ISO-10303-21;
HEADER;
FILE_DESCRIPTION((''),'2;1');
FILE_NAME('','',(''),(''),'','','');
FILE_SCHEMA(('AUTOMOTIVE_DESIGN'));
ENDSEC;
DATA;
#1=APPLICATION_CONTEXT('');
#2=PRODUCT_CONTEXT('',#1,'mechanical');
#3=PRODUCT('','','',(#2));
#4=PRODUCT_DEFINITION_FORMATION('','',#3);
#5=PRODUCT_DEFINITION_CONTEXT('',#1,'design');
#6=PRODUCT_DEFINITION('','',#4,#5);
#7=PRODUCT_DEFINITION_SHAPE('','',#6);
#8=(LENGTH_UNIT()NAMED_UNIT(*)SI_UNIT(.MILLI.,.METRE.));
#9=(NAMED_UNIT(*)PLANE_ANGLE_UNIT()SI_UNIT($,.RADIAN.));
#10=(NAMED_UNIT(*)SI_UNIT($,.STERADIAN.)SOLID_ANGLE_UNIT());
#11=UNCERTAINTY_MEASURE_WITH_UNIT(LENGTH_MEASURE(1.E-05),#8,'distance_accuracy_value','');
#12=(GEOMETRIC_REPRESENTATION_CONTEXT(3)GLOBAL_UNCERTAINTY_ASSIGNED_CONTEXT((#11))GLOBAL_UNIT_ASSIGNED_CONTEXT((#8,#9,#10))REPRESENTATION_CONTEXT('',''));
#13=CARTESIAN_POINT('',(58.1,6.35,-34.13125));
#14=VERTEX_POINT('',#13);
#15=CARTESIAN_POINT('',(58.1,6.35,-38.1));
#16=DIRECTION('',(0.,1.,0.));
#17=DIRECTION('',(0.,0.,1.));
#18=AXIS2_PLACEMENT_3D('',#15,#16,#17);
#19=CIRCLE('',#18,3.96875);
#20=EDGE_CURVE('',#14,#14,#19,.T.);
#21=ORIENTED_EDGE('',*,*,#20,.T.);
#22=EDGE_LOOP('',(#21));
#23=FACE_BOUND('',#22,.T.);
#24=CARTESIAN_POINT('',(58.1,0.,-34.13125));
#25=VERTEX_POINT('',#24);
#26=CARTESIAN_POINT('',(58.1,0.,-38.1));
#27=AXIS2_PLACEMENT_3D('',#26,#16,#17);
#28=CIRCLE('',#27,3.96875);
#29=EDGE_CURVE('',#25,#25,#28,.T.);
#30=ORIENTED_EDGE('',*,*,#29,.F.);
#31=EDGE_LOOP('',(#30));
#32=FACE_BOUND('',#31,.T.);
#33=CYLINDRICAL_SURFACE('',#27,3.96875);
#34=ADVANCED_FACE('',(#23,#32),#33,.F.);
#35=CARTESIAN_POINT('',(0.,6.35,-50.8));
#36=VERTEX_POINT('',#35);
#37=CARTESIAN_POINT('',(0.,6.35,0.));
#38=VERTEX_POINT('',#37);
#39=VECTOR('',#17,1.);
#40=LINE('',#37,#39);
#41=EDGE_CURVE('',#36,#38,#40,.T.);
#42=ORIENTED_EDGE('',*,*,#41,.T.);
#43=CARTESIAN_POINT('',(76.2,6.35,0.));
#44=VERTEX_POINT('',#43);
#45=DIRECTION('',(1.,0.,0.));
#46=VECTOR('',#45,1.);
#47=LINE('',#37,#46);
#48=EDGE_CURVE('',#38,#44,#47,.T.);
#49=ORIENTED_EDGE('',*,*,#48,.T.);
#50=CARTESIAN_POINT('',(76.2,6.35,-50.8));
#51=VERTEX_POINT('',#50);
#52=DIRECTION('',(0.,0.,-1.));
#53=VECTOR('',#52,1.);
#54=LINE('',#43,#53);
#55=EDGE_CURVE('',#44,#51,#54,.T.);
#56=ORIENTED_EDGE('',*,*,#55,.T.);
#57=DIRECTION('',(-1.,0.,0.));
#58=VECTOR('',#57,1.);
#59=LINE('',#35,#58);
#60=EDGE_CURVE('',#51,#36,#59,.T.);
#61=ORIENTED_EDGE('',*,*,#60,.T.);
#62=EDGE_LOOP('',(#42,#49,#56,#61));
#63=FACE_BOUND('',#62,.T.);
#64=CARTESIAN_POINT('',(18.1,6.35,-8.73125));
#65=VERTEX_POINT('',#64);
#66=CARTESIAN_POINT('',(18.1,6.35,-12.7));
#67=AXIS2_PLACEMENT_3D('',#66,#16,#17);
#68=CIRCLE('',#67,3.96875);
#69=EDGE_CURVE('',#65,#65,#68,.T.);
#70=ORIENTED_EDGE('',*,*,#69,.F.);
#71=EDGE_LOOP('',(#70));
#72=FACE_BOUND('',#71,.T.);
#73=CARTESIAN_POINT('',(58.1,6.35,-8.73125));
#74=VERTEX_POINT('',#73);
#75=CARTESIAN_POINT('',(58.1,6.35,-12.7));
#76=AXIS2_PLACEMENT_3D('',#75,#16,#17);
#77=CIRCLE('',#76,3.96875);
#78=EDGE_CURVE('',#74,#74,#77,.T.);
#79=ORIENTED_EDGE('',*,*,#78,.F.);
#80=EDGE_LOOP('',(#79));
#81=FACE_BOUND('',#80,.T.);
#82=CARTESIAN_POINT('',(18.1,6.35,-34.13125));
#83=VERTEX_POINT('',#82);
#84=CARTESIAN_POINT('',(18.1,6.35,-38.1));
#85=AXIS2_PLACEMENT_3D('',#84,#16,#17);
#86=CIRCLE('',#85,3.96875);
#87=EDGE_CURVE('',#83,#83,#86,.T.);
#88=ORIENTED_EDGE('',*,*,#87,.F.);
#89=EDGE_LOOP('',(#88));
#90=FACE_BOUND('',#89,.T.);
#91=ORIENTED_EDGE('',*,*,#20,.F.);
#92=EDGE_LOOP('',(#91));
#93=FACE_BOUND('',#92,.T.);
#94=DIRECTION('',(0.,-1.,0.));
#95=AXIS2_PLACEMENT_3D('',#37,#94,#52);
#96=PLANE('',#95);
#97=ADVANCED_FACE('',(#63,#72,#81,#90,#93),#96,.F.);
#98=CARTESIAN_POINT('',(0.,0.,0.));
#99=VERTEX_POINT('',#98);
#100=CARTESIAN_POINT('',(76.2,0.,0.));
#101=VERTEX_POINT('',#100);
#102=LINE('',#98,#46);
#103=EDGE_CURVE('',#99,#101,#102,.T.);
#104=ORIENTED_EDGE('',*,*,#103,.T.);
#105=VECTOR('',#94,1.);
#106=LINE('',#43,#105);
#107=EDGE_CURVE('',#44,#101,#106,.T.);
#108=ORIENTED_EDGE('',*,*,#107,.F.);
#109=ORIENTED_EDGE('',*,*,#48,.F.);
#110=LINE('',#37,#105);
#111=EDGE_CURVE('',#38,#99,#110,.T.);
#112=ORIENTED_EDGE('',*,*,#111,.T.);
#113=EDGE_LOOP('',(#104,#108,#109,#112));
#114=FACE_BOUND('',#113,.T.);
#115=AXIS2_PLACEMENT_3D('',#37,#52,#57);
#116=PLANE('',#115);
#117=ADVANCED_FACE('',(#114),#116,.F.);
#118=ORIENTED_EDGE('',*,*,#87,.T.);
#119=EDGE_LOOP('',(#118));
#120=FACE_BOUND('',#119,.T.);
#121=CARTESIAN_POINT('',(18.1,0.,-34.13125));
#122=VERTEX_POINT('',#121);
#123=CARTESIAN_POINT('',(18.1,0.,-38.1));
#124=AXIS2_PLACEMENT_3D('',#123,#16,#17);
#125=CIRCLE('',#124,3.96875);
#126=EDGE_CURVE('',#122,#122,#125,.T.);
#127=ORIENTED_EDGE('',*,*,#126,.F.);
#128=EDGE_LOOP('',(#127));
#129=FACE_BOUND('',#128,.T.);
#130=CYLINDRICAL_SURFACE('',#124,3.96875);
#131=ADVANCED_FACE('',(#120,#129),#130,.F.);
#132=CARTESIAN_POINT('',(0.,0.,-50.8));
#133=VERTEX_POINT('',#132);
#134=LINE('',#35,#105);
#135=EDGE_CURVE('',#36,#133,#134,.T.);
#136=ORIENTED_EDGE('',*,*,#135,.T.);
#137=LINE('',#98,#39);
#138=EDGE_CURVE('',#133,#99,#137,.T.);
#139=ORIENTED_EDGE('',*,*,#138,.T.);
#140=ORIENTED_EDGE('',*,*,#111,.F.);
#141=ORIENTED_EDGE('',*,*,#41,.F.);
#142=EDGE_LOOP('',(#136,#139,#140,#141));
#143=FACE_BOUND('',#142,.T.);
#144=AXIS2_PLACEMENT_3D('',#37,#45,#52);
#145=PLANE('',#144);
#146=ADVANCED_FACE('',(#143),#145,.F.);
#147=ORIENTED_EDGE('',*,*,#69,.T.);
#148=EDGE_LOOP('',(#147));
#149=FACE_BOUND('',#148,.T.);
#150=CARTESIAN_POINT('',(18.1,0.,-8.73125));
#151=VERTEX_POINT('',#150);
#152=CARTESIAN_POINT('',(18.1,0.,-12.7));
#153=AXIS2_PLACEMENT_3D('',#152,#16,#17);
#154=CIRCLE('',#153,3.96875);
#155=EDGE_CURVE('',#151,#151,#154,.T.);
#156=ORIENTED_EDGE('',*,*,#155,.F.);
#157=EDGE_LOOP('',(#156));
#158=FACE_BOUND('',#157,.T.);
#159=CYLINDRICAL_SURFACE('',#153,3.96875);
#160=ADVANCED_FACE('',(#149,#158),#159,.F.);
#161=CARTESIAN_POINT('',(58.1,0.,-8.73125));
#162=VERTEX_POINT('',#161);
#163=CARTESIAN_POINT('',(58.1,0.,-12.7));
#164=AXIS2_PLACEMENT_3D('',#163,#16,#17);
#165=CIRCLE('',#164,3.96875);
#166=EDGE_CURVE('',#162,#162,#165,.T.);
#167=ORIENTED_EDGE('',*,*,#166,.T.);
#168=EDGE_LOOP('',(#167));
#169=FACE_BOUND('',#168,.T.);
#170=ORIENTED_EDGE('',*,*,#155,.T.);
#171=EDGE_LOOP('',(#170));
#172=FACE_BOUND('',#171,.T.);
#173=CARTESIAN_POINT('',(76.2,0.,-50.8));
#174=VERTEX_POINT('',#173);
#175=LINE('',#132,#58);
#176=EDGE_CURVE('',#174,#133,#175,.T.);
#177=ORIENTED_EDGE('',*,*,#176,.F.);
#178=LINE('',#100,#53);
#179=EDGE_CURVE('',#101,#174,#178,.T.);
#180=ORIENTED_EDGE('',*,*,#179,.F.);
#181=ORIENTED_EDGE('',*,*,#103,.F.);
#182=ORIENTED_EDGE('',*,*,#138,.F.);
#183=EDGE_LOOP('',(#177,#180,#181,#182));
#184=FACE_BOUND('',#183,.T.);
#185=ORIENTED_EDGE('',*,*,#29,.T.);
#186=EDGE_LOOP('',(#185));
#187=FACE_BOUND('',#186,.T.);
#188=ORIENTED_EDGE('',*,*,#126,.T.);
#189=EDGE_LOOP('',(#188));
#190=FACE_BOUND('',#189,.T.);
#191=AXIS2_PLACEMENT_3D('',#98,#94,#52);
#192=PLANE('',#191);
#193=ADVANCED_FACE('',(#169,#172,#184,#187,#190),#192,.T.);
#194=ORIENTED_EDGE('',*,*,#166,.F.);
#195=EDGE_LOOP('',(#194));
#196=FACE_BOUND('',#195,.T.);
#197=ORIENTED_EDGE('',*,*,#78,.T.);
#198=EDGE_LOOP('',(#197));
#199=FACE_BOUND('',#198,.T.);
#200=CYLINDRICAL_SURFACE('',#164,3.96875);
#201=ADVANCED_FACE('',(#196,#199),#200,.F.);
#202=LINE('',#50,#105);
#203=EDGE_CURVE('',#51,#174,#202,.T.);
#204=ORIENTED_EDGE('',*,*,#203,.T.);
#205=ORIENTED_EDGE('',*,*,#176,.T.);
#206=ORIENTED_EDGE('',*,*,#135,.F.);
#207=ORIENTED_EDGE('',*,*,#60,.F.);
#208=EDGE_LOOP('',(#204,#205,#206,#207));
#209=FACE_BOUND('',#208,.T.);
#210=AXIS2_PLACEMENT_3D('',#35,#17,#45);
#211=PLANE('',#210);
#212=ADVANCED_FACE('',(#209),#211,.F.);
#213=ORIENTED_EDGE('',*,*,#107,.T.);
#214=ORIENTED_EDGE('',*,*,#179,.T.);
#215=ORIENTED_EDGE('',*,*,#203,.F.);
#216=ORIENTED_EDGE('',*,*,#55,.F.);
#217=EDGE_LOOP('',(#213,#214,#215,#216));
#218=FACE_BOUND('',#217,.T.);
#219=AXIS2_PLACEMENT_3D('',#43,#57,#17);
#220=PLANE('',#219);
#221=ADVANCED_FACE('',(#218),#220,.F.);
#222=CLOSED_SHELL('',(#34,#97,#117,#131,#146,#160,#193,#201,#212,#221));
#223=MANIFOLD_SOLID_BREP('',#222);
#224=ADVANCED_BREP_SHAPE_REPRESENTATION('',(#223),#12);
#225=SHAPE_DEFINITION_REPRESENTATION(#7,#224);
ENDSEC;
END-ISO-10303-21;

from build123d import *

# Parameters (mm, degrees)
SKETCH1_W           = 76.2
SKETCH1_H           = 50.8
BOSS_EXTRUDE1_DEPTH = 6.35
SKETCH3_R           = 3.96875
CUT_EXTRUDE1_DEPTH  = 92.800885072


with BuildPart() as part:
    # Sketch1 → Boss-Extrude1 (new body)
    with BuildSketch(Plane(origin=(0, 0, 0), x_dir=(1, 0, 0), z_dir=(0, 1, 0))):
        with Locations((38.1, 25.4)):
            Rectangle(SKETCH1_W, SKETCH1_H)
    extrude(amount=BOSS_EXTRUDE1_DEPTH)

    # Sketch3 → Cut-Extrude1 (cut, through all)
    with BuildSketch(Plane(origin=(0, 6.35, 0), x_dir=(1, 0, 0), z_dir=(0, 1, 0))):
        with Locations(Location((18.1, 38.1, 0), (0, 0, 270))):
            Circle(SKETCH3_R)
        with Locations(Location((18.1, 12.7, 0), (0, 0, 270))):
            Circle(SKETCH3_R)
        with Locations(Location((58.1, 38.1, 0), (0, 0, 270))):
            Circle(SKETCH3_R)
        with Locations(Location((58.1, 12.7, 0), (0, 0, 270))):
            Circle(SKETCH3_R)
    extrude(amount=-CUT_EXTRUDE1_DEPTH, mode=Mode.SUBTRACT)


solid = part.part
